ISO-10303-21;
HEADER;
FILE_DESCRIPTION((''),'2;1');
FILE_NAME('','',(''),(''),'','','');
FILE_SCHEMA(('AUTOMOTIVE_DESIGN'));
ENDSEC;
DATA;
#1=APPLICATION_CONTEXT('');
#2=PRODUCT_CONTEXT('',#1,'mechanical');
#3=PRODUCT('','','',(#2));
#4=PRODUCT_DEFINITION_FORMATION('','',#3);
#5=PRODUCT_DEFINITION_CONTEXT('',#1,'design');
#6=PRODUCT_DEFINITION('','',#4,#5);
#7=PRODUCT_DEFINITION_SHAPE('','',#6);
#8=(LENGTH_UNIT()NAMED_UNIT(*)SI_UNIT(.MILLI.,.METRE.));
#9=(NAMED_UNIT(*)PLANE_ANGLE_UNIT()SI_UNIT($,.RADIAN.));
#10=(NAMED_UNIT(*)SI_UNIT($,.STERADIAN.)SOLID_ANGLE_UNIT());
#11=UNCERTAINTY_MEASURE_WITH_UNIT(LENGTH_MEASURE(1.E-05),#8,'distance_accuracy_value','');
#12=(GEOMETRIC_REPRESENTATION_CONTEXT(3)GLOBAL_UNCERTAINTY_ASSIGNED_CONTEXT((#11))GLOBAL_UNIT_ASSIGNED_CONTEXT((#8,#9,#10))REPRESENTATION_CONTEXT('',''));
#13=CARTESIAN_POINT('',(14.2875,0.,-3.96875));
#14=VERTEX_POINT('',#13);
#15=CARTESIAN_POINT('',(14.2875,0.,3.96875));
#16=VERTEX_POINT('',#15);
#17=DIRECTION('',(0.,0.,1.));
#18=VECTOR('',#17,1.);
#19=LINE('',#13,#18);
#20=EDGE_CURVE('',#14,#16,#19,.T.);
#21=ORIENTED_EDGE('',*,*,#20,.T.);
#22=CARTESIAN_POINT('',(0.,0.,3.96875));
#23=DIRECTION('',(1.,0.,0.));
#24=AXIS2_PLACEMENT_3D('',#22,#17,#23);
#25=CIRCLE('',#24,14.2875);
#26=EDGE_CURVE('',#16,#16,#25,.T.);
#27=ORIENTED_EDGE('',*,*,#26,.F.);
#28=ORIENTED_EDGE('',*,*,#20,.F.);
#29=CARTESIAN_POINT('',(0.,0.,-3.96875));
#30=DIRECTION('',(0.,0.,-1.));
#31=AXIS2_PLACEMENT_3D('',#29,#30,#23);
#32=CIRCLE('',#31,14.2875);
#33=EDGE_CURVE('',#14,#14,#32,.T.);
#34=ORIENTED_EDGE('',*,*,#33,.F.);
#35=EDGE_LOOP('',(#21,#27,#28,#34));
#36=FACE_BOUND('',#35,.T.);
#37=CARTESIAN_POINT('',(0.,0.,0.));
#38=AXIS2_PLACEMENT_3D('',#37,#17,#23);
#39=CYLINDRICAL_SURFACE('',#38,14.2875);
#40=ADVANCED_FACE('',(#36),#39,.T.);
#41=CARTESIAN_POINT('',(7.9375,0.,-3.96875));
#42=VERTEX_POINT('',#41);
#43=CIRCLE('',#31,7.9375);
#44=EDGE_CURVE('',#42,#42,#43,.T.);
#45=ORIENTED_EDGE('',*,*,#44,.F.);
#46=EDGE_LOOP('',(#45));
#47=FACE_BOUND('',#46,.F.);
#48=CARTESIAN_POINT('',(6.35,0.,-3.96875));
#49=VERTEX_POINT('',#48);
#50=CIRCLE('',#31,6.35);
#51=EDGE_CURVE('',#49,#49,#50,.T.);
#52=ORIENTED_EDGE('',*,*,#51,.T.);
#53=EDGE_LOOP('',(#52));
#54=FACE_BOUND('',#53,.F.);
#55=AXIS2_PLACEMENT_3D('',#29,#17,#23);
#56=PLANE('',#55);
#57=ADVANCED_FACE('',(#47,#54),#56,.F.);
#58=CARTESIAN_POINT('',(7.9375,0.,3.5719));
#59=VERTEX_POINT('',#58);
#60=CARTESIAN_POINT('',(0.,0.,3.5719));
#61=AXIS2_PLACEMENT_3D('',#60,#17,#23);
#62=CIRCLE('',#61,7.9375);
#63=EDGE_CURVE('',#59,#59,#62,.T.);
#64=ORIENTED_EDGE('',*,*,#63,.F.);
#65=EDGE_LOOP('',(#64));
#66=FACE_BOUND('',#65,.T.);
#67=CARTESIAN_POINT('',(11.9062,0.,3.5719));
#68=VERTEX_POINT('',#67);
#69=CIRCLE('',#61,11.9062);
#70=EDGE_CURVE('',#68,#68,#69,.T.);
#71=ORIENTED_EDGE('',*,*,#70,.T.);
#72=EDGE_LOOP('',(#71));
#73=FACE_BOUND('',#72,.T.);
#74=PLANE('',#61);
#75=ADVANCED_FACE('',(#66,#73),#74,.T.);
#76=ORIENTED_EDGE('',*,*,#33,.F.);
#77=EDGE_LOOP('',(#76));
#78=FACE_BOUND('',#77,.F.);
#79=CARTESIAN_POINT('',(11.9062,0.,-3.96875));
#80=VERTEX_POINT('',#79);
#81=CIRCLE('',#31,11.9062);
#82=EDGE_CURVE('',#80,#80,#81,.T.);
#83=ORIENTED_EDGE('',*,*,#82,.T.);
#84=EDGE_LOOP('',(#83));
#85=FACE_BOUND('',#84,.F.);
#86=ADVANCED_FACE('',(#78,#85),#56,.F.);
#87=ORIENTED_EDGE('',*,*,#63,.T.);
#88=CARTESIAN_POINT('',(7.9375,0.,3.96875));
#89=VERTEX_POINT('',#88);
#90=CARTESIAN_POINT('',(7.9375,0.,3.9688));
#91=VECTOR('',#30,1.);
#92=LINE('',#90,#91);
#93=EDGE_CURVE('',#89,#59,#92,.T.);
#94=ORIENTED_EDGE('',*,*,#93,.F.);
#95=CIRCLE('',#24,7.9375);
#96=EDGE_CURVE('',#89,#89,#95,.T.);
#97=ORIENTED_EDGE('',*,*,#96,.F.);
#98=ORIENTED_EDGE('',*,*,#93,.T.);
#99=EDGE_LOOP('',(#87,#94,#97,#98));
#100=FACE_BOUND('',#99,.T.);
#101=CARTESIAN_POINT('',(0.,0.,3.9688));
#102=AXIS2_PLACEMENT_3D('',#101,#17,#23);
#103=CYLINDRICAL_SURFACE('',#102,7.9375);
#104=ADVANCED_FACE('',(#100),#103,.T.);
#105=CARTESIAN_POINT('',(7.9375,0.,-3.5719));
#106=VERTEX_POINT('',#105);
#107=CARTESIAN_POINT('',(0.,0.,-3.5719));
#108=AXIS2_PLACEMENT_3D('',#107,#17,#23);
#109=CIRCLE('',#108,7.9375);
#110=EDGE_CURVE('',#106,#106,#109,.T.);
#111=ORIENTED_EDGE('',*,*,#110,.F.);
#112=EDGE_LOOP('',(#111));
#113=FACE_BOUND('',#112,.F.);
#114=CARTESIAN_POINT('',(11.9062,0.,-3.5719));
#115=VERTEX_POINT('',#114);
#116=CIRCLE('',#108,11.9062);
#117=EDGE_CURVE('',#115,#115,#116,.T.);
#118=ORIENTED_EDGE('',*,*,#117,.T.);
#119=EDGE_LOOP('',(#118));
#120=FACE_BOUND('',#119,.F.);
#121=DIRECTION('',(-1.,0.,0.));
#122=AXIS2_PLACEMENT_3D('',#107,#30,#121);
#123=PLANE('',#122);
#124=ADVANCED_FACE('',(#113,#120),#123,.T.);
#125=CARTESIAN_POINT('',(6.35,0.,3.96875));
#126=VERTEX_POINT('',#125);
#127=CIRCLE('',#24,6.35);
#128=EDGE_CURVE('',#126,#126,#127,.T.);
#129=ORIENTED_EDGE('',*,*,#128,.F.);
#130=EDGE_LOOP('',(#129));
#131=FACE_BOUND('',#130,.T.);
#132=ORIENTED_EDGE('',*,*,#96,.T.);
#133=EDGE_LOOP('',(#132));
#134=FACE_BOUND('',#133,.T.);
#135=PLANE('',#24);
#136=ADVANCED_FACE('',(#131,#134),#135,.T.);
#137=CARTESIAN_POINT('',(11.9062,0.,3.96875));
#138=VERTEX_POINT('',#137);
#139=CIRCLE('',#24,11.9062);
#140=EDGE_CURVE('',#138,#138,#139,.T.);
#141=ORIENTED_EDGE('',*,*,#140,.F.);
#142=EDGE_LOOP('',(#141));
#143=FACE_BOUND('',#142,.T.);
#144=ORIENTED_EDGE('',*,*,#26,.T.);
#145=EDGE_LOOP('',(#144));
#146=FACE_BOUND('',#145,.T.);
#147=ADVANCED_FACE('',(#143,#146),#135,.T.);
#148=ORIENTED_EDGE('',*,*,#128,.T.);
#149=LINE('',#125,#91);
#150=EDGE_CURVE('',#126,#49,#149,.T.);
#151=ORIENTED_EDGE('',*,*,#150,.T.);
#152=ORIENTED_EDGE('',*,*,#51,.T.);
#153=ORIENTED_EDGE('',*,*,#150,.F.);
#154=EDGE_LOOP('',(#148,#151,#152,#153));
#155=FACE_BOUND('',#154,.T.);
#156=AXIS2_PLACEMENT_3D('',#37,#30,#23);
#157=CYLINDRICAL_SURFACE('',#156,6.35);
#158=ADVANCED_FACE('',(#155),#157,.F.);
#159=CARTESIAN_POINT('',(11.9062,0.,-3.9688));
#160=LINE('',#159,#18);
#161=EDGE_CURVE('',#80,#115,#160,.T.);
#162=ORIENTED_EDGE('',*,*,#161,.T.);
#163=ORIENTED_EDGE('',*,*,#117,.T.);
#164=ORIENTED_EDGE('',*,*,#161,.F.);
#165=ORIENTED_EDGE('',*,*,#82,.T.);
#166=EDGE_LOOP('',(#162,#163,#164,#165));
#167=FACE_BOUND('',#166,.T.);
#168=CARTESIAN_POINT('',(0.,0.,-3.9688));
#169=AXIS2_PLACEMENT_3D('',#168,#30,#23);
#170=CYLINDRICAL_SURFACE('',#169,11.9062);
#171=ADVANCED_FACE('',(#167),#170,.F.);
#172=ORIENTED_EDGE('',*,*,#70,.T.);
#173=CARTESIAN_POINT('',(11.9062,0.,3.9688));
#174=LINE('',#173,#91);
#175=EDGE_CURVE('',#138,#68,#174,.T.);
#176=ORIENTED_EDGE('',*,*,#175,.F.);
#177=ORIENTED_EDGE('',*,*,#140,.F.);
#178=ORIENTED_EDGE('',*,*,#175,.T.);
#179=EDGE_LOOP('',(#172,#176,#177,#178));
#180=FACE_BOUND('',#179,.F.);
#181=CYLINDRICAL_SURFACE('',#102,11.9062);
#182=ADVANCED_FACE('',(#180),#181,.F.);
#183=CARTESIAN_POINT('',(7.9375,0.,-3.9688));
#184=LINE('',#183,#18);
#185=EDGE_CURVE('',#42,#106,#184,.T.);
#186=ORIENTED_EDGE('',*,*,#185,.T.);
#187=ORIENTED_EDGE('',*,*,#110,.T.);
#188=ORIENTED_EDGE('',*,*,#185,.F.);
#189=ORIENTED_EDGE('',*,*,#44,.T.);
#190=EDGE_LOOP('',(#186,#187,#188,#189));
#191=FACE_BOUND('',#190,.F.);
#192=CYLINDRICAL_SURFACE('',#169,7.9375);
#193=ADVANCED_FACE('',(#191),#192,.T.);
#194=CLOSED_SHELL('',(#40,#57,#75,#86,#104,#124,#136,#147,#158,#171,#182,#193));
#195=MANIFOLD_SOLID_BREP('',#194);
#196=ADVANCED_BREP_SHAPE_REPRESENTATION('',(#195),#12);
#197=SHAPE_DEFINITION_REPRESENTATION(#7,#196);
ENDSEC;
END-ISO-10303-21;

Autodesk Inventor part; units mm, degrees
ref_plane "YZ Plane" through (0, 0, 0) normal (1, 0, 0) x (0, 1, 0)
ref_plane "XZ Plane" through (0, 0, 0) normal (0, 1, 0) x (-1, 0, 0)
ref_plane "XY Plane" through (0, 0, 0) normal (0, 0, 1) x (1, 0, 0)
sketch "Sketch1" plane through (0, 0, 0) normal (0, 0, 1) x (1, 0, 0)
  line L0 (-20.0025, 0) -> (20.0025, 0) projected
  line L1 (0, -20.0025) -> (0, 20.0025) projected
  circle A0 centre (0, 0) radius 14.2875
  circle A1 centre (0, 0) radius 6.35
  dimension "d0" = 12.7
  dimension "d1" = 28.575
extrude "Base" add sketch "Sketch1" along normal mid plane 7.9375 contours A1 L1 A0 L0 | L0 A0 L1 A1 | A1 L0 A0 L1 | L1 A0 L0 A1
sketch "Sketch3" plane through (0, 0, 3.9688) normal (0, 0, 1) x (1, 0, 0)
  circle A0 centre (0, 0) radius 14.2875
  circle A1 centre (0, 0) radius 6.35
  circle A2 centre (0, 0) radius 7.9375
  circle A3 centre (0, 0) radius 11.9062
  circle A4 centre (0, 0) radius 6.35 projected
  circle A5 centre (0, 0) radius 14.2875 projected
  dimension "d7" = 1.5875
  dimension "d8" = 2.3813
extrude "Cutaway" cut sketch "Sketch3" against normal blind 0.3969 contours A3
mirror "Mirror2" about plane through (0, 0, 0) normal (0, 0, 1) of "Cutaway"
properties part number "bearing" material "Steel"
